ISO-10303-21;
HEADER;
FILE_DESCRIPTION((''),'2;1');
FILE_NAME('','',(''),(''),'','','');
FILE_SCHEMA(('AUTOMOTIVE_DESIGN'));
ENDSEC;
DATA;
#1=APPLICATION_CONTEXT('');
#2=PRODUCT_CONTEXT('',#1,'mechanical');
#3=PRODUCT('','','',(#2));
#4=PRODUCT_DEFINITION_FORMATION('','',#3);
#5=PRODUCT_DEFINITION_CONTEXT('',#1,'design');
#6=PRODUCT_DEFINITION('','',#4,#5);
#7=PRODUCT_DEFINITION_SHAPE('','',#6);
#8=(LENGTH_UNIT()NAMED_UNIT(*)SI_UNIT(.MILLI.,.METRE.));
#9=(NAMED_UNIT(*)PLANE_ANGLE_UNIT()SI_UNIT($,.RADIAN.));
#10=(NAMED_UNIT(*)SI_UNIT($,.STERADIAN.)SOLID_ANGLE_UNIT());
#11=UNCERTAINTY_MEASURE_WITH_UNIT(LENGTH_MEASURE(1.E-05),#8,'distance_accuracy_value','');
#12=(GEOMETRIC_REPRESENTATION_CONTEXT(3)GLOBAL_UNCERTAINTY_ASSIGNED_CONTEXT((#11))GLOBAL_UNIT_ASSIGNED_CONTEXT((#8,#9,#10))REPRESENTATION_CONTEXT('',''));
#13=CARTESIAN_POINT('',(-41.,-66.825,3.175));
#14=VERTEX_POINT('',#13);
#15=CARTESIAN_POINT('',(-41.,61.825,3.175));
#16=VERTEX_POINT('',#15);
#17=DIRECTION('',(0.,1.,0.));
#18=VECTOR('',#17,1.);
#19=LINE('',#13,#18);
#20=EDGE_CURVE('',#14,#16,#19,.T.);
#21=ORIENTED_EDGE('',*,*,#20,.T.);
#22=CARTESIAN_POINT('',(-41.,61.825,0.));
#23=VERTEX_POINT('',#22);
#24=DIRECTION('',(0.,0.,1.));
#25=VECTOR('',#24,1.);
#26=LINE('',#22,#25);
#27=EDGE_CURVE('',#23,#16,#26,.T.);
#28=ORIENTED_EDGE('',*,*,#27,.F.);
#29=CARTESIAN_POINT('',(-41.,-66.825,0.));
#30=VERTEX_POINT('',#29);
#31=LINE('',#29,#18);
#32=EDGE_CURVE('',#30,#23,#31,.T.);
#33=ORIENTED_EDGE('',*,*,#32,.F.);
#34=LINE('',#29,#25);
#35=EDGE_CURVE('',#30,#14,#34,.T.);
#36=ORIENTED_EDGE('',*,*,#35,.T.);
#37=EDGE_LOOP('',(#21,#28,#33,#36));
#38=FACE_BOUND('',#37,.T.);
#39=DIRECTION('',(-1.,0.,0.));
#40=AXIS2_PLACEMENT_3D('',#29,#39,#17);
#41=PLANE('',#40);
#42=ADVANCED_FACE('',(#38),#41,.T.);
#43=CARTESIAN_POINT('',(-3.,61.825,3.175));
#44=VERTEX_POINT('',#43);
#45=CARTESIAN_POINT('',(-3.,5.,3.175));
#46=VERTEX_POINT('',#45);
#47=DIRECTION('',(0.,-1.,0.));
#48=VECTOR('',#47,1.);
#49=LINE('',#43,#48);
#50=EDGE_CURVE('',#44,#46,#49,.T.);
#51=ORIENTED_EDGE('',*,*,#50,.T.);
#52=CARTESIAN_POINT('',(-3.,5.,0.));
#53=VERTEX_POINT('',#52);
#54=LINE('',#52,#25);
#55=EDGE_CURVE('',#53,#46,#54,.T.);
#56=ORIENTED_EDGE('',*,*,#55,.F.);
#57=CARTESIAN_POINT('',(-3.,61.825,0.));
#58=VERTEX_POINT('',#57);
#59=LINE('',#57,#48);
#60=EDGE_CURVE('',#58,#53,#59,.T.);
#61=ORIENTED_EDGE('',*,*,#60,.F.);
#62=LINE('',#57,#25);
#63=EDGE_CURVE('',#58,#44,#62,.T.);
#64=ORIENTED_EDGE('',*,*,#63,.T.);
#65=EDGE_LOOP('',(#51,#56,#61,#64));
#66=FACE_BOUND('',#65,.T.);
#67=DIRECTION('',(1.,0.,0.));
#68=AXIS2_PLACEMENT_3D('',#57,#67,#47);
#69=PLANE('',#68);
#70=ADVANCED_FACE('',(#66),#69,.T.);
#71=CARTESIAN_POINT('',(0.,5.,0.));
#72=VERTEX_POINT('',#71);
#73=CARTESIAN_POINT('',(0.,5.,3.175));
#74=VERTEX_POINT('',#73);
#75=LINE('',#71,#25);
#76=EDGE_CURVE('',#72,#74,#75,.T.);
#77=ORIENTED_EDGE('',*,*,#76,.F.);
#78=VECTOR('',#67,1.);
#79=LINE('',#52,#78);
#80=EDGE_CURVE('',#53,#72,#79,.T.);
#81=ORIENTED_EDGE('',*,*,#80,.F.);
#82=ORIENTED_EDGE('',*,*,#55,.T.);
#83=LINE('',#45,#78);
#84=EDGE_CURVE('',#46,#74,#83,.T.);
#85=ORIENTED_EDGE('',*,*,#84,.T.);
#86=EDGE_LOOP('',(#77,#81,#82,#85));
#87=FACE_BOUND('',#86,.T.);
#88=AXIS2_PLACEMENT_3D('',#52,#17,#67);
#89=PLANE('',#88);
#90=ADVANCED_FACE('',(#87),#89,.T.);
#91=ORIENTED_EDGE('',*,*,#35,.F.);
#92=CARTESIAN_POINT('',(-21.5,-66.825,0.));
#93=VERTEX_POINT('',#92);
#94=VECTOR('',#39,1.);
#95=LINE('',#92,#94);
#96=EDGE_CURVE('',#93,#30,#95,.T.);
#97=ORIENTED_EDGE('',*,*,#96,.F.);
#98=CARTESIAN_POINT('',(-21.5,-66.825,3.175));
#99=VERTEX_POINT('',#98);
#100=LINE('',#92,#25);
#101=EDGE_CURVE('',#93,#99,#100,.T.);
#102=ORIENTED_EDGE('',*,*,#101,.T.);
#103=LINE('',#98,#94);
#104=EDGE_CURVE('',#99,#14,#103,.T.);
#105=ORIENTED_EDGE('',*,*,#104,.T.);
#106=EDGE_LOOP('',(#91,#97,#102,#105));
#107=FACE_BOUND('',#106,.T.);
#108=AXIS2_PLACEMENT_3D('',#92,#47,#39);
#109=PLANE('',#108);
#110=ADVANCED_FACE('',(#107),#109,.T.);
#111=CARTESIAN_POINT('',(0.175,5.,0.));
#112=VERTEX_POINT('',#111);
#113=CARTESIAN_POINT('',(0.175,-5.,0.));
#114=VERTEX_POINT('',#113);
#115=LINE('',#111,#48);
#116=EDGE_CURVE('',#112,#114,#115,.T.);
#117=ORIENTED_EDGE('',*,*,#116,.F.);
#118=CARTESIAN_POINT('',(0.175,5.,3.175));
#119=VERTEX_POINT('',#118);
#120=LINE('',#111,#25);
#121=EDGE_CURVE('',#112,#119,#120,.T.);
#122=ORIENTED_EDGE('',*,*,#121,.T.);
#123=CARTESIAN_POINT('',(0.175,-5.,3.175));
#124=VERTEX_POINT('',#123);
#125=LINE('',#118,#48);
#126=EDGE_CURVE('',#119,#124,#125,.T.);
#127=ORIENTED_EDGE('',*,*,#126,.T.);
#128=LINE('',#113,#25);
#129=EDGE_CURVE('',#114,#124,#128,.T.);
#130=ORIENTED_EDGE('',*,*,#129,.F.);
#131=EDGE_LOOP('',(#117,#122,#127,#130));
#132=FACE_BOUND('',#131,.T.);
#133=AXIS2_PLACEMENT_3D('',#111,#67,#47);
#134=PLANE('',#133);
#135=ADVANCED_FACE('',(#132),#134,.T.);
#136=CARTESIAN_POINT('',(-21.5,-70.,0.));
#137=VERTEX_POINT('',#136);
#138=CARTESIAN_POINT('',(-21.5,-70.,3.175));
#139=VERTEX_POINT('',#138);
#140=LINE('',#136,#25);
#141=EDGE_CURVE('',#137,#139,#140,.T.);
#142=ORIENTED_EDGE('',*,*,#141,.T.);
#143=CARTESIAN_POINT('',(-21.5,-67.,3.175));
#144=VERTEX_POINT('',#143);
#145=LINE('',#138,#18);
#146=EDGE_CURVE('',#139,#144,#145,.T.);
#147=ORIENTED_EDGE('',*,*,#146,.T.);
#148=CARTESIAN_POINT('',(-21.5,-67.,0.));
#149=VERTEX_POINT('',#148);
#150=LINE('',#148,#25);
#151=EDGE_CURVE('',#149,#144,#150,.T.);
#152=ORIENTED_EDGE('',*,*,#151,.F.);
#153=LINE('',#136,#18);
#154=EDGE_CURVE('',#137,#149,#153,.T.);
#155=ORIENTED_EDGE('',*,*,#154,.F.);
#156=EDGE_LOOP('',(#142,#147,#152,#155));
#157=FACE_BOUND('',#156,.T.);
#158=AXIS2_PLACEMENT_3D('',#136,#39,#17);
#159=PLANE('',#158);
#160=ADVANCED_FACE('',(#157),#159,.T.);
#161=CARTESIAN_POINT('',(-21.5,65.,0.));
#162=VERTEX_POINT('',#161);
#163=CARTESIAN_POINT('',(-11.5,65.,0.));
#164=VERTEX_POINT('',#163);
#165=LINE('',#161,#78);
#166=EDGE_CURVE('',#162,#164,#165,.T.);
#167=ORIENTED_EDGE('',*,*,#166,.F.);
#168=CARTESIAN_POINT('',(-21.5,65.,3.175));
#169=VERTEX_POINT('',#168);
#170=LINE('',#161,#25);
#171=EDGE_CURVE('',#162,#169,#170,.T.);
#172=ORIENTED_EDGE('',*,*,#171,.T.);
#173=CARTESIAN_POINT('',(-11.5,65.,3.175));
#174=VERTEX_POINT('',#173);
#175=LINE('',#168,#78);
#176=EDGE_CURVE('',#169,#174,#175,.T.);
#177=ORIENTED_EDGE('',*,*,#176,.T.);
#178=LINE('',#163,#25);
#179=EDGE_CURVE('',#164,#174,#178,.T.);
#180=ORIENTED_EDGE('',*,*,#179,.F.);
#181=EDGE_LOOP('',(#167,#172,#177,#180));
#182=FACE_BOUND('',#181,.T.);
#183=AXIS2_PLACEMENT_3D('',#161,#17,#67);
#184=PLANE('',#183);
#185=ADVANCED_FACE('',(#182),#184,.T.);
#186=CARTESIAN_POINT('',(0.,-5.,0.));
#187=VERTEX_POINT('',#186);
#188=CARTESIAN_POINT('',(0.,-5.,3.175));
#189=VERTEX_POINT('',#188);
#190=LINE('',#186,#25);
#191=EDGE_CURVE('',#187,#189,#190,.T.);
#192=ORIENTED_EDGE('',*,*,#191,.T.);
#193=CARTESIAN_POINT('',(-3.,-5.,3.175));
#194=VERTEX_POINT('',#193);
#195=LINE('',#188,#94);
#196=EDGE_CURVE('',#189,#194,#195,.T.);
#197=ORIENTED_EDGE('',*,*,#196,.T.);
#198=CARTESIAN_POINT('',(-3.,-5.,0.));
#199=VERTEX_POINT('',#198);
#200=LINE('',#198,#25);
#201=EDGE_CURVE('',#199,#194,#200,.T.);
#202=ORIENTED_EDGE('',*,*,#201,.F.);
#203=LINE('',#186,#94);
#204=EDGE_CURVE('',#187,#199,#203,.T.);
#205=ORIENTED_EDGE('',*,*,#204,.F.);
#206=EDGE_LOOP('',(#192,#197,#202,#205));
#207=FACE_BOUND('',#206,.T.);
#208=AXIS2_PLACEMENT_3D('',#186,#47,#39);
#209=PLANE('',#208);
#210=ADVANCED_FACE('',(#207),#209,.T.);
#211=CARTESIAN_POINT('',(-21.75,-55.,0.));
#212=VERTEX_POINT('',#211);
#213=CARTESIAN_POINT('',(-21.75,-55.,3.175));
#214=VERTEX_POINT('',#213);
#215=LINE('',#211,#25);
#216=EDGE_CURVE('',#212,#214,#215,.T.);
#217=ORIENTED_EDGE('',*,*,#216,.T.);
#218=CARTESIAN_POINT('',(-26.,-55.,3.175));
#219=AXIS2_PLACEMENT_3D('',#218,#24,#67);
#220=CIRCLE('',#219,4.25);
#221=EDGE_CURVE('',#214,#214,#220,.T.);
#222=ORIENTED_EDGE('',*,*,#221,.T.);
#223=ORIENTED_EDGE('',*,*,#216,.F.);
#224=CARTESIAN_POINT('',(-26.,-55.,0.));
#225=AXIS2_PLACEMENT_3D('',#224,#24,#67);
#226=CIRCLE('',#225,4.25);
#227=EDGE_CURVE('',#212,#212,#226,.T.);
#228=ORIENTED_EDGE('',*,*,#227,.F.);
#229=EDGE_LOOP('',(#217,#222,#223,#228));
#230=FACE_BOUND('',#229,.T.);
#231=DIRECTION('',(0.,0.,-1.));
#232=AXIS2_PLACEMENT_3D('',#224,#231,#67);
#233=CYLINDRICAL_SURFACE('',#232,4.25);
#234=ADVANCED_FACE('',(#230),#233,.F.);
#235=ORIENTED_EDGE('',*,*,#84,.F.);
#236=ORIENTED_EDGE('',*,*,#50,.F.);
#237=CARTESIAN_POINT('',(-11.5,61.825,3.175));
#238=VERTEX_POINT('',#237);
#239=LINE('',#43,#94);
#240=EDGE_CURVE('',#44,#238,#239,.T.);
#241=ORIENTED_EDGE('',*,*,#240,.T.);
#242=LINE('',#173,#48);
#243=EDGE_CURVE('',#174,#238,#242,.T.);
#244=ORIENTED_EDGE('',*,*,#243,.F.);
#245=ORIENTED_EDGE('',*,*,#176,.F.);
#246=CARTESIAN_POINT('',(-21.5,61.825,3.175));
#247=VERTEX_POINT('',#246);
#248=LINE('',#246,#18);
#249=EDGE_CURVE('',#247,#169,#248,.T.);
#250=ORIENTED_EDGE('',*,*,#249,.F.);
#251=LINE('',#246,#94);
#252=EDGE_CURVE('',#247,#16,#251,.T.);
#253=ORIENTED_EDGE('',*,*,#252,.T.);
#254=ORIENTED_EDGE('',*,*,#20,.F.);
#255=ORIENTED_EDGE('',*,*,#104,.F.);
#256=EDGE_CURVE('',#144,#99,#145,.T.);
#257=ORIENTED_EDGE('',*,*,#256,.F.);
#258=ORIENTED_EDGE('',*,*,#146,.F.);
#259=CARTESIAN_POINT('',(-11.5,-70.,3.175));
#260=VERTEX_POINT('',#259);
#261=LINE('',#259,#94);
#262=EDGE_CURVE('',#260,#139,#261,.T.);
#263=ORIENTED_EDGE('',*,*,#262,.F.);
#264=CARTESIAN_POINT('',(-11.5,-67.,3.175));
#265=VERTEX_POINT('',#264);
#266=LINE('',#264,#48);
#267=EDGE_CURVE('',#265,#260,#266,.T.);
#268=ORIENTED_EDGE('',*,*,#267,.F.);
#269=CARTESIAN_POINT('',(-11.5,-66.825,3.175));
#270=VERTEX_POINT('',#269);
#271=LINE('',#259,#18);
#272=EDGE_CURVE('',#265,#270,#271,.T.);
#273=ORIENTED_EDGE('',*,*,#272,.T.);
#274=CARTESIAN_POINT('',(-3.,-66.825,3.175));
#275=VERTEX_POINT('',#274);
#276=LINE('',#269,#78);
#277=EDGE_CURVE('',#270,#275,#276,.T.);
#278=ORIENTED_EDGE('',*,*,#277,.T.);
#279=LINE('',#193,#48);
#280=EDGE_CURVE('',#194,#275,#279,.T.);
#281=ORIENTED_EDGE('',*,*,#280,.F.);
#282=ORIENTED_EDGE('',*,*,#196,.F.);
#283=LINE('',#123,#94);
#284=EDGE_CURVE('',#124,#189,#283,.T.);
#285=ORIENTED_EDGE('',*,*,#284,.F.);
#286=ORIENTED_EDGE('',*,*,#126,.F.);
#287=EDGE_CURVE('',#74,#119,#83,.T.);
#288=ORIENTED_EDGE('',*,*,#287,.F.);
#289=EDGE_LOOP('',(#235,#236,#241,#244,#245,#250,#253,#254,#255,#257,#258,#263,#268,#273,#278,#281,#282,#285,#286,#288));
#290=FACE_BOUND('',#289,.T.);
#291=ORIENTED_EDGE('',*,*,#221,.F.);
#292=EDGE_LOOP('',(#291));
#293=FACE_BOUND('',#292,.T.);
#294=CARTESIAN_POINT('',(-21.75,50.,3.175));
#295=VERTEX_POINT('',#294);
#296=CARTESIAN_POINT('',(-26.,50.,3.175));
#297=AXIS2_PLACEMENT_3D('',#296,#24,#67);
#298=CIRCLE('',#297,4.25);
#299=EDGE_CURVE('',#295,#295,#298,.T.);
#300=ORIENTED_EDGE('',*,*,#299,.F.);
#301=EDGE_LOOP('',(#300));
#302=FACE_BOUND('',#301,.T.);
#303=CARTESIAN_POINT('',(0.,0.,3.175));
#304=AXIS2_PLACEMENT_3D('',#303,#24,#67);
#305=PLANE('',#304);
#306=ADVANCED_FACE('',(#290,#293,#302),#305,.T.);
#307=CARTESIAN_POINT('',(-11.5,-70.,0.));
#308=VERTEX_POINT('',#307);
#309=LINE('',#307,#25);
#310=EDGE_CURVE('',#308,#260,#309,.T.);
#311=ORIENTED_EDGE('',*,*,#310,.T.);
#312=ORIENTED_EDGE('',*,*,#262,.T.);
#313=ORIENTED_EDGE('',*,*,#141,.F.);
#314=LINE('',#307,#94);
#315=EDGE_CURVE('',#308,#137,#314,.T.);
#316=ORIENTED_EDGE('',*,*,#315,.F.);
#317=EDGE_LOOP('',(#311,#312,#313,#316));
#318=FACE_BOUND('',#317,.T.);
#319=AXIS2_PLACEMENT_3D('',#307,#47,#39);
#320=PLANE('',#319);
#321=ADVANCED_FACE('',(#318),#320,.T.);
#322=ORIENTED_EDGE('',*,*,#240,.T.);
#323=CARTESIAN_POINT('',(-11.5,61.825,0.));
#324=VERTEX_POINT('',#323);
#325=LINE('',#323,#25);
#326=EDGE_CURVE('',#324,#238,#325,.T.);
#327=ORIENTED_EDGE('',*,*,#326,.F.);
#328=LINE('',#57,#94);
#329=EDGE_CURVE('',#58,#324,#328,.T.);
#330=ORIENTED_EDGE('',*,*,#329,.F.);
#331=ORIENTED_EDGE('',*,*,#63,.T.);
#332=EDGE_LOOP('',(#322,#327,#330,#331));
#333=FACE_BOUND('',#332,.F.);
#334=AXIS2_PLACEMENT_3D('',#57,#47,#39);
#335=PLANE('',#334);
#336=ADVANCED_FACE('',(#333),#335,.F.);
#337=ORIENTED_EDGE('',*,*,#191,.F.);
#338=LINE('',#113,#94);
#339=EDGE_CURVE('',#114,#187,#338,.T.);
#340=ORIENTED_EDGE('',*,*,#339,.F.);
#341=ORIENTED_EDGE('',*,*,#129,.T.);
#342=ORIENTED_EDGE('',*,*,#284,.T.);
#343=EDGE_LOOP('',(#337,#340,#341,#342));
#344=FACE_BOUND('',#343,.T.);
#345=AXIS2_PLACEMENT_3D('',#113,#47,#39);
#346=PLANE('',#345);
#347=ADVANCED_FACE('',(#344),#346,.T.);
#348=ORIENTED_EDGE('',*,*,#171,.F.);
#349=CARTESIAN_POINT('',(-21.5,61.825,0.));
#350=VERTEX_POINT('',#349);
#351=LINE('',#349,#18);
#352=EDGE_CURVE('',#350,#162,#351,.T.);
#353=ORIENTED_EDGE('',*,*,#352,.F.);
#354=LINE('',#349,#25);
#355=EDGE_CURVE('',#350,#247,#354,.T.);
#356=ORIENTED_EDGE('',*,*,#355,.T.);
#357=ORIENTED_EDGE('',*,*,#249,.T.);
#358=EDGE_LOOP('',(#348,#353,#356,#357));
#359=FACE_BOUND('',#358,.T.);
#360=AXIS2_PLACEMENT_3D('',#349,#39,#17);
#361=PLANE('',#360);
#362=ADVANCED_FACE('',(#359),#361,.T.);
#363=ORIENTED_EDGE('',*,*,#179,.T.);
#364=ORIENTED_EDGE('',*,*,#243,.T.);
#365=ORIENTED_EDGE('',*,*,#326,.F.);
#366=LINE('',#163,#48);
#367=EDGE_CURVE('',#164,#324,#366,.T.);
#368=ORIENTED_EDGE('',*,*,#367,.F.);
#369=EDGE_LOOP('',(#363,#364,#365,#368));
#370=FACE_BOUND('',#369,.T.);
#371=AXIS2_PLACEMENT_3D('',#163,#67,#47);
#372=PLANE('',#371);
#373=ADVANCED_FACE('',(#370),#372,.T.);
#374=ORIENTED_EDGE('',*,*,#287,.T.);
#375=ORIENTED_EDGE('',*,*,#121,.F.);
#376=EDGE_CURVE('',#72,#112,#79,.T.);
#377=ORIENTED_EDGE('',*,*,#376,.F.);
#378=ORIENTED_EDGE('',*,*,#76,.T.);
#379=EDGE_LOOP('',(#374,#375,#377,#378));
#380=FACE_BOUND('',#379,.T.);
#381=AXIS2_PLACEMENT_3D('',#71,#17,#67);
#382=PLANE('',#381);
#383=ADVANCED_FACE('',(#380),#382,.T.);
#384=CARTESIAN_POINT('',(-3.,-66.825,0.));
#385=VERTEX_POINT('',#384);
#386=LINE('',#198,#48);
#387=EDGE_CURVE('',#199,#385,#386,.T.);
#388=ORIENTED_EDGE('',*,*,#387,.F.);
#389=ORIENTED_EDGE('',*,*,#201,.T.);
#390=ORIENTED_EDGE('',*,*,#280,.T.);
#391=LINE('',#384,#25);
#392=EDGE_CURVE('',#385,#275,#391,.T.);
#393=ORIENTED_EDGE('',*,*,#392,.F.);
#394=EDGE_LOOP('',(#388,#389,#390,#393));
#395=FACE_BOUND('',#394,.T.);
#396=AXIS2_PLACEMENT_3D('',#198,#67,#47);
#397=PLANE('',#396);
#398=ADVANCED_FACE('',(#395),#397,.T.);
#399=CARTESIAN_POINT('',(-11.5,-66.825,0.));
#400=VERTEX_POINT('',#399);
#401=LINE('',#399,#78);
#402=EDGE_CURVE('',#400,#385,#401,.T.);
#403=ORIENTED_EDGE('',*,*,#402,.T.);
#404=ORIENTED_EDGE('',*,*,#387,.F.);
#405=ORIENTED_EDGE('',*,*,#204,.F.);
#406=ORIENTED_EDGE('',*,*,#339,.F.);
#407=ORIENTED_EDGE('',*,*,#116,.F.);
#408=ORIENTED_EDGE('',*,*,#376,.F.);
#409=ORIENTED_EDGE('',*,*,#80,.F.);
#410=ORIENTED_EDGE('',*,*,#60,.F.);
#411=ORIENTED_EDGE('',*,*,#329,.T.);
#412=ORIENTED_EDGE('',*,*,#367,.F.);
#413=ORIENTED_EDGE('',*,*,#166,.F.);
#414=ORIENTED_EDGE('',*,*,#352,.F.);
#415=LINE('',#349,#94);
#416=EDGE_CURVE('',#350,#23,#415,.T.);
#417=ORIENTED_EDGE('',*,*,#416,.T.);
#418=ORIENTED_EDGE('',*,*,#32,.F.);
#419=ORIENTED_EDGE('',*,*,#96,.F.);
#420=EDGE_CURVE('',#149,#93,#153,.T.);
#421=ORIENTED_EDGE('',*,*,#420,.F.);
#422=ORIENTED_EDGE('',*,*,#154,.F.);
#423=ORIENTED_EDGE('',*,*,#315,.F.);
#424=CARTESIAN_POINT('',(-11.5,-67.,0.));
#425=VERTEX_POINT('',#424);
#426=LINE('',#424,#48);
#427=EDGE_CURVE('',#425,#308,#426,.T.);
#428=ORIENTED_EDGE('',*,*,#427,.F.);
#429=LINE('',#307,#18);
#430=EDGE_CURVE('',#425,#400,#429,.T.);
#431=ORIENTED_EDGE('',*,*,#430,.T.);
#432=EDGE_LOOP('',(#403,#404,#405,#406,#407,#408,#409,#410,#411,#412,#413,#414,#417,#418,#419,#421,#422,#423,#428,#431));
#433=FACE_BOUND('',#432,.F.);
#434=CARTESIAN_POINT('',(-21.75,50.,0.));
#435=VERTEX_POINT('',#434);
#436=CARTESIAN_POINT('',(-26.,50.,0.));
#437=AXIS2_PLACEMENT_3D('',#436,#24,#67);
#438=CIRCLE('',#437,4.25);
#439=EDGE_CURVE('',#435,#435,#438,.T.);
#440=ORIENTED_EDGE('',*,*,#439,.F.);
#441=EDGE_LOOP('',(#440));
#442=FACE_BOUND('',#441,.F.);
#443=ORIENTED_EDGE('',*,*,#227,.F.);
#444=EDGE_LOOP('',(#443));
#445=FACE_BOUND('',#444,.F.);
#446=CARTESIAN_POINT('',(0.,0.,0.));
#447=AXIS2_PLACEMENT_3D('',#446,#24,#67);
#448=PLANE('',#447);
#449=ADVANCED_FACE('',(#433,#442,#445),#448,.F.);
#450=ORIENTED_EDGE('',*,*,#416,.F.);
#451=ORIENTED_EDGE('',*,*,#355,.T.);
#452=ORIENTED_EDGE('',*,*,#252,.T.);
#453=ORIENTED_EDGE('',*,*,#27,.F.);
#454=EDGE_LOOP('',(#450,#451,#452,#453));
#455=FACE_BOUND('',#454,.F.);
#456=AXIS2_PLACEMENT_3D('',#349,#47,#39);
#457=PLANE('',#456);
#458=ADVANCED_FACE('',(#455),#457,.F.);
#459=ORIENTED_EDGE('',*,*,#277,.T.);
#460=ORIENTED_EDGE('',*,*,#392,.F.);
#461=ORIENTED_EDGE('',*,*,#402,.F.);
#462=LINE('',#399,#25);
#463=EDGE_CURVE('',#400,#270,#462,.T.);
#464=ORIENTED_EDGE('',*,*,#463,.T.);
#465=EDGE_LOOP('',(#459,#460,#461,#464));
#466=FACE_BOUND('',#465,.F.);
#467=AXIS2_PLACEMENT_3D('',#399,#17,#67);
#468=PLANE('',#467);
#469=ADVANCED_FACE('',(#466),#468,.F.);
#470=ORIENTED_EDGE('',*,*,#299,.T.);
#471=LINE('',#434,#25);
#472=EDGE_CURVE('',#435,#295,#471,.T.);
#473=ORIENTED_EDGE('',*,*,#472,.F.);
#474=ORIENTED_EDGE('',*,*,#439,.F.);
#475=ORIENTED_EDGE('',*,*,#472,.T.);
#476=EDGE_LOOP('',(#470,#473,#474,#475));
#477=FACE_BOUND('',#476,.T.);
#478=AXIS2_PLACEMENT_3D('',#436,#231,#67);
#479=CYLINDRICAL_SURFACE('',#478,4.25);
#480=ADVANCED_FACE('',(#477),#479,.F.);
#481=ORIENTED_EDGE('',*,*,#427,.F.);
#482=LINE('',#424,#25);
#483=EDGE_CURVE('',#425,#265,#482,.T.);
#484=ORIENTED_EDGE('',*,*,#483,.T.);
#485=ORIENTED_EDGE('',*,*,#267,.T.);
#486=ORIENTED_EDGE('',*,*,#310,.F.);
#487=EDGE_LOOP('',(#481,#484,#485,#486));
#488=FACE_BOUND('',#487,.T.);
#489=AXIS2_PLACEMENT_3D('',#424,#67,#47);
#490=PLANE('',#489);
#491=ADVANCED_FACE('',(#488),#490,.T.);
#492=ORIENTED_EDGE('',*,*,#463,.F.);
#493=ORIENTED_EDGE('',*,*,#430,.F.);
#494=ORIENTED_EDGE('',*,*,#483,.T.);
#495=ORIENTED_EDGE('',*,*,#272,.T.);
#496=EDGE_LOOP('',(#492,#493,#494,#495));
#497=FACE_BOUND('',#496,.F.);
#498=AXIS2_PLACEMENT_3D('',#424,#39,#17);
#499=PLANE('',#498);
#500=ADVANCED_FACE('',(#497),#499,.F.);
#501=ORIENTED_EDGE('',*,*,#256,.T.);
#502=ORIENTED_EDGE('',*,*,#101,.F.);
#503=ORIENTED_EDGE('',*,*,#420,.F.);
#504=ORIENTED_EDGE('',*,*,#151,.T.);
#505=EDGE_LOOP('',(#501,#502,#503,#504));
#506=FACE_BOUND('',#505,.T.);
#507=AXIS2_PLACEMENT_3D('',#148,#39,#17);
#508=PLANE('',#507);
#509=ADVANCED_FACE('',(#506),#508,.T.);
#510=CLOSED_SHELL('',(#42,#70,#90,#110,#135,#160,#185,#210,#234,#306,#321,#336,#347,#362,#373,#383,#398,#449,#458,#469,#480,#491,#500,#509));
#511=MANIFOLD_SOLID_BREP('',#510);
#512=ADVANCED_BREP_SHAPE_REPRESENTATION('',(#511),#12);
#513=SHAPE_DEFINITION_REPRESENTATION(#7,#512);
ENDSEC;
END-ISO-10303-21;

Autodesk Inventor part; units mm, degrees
ref_plane "YZ Plane" through (0, 0, 0) normal (1, 0, 0) x (0, 1, 0)
ref_plane "XZ Plane" through (0, 0, 0) normal (0, 1, 0) x (-1, 0, 0)
ref_plane "XY Plane" through (0, 0, 0) normal (0, 0, 1) x (1, 0, 0)
sketch "Sketch1" plane through (0, 0, 0) normal (0, 0, 1) x (1, 0, 0)
  line L0 (-3, -5) -> (-3, -66.825)
  line L1 (-11.5, -67) -> (-11.5, -70)
  line L2 (-11.5, -70) -> (-21.5, -70)
  line L3 (-21.5, -70) -> (-21.5, -67)
  line L4 (-41, -66.825) -> (-41, 61.825)
  line L5 (-21.5, 61.825) -> (-21.5, 65)
  line L6 (-21.5, 65) -> (-11.5, 65)
  line L7 (-11.5, 65) -> (-11.5, 65)
  line L8 (-3, 61.825) -> (-3, 5)
  line L9 (-3, 5) -> (0, 5)
  line L10 (0, -5) -> (-3, -5)
  circle A0 centre (-26, -55) radius 4.25
  circle A1 centre (-26, 50) radius 4.25
  line L11 (-3, -5) -> (-3, -66.825)
  line L12 (-11.5, -67) -> (-11.5, -70)
  line L13 (-11.5, -70) -> (-21.5, -70)
  line L14 (-21.5, -70) -> (-21.5, -67)
  line L15 (-41, -66.825) -> (-41, 61.825)
  line L16 (-21.5, 61.825) -> (-21.5, 65)
  line L17 (-21.5, 65) -> (-11.5, 65)
  line L18 (-11.5, 65) -> (-11.5, 65)
  line L19 (-3, 61.825) -> (-3, 5)
  line L20 (-3, 5) -> (0, 5)
  line L21 (0, -5) -> (-3, -5)
  circle A2 centre (-26, -55) radius 4.25
  circle A3 centre (-26, 50) radius 4.25
  line L22 (-3, 5) -> (0.175, 5)
  line L23 (0.175, 5) -> (0.175, -5)
  line L24 (0.175, -5) -> (-3, -5)
  line L25 (-21.5, 65) -> (-11.5, 65)
  line L26 (-21.5, 65) -> (-11.5, 65)
  line L27 (-11.5, 65) -> (-11.5, 61.825)
  line L28 (-21.5, 61.825) -> (-21.5, 65)
  line L29 (-3, 61.825) -> (-11.5, 61.825)
  line L30 (-21.5, 61.825) -> (-41, 61.825)
  line L31 (-11.5, -70) -> (-11.5, -66.825)
  line L32 (-11.5, -66.825) -> (-3, -66.825)
  line L33 (-21.5, -70) -> (-21.5, -66.825)
  line L34 (-21.5, -66.825) -> (-41, -66.825)
  point P0 (0, 0)
  dimension "d0" = 3.175
  dimension "d4" = 3.175
  dimension "d5" = 3.175
extrude "Extrusion2" add sketch "Sketch1" along normal blind 3.175
properties part number "1-8inch_Side2_2-Parts"
